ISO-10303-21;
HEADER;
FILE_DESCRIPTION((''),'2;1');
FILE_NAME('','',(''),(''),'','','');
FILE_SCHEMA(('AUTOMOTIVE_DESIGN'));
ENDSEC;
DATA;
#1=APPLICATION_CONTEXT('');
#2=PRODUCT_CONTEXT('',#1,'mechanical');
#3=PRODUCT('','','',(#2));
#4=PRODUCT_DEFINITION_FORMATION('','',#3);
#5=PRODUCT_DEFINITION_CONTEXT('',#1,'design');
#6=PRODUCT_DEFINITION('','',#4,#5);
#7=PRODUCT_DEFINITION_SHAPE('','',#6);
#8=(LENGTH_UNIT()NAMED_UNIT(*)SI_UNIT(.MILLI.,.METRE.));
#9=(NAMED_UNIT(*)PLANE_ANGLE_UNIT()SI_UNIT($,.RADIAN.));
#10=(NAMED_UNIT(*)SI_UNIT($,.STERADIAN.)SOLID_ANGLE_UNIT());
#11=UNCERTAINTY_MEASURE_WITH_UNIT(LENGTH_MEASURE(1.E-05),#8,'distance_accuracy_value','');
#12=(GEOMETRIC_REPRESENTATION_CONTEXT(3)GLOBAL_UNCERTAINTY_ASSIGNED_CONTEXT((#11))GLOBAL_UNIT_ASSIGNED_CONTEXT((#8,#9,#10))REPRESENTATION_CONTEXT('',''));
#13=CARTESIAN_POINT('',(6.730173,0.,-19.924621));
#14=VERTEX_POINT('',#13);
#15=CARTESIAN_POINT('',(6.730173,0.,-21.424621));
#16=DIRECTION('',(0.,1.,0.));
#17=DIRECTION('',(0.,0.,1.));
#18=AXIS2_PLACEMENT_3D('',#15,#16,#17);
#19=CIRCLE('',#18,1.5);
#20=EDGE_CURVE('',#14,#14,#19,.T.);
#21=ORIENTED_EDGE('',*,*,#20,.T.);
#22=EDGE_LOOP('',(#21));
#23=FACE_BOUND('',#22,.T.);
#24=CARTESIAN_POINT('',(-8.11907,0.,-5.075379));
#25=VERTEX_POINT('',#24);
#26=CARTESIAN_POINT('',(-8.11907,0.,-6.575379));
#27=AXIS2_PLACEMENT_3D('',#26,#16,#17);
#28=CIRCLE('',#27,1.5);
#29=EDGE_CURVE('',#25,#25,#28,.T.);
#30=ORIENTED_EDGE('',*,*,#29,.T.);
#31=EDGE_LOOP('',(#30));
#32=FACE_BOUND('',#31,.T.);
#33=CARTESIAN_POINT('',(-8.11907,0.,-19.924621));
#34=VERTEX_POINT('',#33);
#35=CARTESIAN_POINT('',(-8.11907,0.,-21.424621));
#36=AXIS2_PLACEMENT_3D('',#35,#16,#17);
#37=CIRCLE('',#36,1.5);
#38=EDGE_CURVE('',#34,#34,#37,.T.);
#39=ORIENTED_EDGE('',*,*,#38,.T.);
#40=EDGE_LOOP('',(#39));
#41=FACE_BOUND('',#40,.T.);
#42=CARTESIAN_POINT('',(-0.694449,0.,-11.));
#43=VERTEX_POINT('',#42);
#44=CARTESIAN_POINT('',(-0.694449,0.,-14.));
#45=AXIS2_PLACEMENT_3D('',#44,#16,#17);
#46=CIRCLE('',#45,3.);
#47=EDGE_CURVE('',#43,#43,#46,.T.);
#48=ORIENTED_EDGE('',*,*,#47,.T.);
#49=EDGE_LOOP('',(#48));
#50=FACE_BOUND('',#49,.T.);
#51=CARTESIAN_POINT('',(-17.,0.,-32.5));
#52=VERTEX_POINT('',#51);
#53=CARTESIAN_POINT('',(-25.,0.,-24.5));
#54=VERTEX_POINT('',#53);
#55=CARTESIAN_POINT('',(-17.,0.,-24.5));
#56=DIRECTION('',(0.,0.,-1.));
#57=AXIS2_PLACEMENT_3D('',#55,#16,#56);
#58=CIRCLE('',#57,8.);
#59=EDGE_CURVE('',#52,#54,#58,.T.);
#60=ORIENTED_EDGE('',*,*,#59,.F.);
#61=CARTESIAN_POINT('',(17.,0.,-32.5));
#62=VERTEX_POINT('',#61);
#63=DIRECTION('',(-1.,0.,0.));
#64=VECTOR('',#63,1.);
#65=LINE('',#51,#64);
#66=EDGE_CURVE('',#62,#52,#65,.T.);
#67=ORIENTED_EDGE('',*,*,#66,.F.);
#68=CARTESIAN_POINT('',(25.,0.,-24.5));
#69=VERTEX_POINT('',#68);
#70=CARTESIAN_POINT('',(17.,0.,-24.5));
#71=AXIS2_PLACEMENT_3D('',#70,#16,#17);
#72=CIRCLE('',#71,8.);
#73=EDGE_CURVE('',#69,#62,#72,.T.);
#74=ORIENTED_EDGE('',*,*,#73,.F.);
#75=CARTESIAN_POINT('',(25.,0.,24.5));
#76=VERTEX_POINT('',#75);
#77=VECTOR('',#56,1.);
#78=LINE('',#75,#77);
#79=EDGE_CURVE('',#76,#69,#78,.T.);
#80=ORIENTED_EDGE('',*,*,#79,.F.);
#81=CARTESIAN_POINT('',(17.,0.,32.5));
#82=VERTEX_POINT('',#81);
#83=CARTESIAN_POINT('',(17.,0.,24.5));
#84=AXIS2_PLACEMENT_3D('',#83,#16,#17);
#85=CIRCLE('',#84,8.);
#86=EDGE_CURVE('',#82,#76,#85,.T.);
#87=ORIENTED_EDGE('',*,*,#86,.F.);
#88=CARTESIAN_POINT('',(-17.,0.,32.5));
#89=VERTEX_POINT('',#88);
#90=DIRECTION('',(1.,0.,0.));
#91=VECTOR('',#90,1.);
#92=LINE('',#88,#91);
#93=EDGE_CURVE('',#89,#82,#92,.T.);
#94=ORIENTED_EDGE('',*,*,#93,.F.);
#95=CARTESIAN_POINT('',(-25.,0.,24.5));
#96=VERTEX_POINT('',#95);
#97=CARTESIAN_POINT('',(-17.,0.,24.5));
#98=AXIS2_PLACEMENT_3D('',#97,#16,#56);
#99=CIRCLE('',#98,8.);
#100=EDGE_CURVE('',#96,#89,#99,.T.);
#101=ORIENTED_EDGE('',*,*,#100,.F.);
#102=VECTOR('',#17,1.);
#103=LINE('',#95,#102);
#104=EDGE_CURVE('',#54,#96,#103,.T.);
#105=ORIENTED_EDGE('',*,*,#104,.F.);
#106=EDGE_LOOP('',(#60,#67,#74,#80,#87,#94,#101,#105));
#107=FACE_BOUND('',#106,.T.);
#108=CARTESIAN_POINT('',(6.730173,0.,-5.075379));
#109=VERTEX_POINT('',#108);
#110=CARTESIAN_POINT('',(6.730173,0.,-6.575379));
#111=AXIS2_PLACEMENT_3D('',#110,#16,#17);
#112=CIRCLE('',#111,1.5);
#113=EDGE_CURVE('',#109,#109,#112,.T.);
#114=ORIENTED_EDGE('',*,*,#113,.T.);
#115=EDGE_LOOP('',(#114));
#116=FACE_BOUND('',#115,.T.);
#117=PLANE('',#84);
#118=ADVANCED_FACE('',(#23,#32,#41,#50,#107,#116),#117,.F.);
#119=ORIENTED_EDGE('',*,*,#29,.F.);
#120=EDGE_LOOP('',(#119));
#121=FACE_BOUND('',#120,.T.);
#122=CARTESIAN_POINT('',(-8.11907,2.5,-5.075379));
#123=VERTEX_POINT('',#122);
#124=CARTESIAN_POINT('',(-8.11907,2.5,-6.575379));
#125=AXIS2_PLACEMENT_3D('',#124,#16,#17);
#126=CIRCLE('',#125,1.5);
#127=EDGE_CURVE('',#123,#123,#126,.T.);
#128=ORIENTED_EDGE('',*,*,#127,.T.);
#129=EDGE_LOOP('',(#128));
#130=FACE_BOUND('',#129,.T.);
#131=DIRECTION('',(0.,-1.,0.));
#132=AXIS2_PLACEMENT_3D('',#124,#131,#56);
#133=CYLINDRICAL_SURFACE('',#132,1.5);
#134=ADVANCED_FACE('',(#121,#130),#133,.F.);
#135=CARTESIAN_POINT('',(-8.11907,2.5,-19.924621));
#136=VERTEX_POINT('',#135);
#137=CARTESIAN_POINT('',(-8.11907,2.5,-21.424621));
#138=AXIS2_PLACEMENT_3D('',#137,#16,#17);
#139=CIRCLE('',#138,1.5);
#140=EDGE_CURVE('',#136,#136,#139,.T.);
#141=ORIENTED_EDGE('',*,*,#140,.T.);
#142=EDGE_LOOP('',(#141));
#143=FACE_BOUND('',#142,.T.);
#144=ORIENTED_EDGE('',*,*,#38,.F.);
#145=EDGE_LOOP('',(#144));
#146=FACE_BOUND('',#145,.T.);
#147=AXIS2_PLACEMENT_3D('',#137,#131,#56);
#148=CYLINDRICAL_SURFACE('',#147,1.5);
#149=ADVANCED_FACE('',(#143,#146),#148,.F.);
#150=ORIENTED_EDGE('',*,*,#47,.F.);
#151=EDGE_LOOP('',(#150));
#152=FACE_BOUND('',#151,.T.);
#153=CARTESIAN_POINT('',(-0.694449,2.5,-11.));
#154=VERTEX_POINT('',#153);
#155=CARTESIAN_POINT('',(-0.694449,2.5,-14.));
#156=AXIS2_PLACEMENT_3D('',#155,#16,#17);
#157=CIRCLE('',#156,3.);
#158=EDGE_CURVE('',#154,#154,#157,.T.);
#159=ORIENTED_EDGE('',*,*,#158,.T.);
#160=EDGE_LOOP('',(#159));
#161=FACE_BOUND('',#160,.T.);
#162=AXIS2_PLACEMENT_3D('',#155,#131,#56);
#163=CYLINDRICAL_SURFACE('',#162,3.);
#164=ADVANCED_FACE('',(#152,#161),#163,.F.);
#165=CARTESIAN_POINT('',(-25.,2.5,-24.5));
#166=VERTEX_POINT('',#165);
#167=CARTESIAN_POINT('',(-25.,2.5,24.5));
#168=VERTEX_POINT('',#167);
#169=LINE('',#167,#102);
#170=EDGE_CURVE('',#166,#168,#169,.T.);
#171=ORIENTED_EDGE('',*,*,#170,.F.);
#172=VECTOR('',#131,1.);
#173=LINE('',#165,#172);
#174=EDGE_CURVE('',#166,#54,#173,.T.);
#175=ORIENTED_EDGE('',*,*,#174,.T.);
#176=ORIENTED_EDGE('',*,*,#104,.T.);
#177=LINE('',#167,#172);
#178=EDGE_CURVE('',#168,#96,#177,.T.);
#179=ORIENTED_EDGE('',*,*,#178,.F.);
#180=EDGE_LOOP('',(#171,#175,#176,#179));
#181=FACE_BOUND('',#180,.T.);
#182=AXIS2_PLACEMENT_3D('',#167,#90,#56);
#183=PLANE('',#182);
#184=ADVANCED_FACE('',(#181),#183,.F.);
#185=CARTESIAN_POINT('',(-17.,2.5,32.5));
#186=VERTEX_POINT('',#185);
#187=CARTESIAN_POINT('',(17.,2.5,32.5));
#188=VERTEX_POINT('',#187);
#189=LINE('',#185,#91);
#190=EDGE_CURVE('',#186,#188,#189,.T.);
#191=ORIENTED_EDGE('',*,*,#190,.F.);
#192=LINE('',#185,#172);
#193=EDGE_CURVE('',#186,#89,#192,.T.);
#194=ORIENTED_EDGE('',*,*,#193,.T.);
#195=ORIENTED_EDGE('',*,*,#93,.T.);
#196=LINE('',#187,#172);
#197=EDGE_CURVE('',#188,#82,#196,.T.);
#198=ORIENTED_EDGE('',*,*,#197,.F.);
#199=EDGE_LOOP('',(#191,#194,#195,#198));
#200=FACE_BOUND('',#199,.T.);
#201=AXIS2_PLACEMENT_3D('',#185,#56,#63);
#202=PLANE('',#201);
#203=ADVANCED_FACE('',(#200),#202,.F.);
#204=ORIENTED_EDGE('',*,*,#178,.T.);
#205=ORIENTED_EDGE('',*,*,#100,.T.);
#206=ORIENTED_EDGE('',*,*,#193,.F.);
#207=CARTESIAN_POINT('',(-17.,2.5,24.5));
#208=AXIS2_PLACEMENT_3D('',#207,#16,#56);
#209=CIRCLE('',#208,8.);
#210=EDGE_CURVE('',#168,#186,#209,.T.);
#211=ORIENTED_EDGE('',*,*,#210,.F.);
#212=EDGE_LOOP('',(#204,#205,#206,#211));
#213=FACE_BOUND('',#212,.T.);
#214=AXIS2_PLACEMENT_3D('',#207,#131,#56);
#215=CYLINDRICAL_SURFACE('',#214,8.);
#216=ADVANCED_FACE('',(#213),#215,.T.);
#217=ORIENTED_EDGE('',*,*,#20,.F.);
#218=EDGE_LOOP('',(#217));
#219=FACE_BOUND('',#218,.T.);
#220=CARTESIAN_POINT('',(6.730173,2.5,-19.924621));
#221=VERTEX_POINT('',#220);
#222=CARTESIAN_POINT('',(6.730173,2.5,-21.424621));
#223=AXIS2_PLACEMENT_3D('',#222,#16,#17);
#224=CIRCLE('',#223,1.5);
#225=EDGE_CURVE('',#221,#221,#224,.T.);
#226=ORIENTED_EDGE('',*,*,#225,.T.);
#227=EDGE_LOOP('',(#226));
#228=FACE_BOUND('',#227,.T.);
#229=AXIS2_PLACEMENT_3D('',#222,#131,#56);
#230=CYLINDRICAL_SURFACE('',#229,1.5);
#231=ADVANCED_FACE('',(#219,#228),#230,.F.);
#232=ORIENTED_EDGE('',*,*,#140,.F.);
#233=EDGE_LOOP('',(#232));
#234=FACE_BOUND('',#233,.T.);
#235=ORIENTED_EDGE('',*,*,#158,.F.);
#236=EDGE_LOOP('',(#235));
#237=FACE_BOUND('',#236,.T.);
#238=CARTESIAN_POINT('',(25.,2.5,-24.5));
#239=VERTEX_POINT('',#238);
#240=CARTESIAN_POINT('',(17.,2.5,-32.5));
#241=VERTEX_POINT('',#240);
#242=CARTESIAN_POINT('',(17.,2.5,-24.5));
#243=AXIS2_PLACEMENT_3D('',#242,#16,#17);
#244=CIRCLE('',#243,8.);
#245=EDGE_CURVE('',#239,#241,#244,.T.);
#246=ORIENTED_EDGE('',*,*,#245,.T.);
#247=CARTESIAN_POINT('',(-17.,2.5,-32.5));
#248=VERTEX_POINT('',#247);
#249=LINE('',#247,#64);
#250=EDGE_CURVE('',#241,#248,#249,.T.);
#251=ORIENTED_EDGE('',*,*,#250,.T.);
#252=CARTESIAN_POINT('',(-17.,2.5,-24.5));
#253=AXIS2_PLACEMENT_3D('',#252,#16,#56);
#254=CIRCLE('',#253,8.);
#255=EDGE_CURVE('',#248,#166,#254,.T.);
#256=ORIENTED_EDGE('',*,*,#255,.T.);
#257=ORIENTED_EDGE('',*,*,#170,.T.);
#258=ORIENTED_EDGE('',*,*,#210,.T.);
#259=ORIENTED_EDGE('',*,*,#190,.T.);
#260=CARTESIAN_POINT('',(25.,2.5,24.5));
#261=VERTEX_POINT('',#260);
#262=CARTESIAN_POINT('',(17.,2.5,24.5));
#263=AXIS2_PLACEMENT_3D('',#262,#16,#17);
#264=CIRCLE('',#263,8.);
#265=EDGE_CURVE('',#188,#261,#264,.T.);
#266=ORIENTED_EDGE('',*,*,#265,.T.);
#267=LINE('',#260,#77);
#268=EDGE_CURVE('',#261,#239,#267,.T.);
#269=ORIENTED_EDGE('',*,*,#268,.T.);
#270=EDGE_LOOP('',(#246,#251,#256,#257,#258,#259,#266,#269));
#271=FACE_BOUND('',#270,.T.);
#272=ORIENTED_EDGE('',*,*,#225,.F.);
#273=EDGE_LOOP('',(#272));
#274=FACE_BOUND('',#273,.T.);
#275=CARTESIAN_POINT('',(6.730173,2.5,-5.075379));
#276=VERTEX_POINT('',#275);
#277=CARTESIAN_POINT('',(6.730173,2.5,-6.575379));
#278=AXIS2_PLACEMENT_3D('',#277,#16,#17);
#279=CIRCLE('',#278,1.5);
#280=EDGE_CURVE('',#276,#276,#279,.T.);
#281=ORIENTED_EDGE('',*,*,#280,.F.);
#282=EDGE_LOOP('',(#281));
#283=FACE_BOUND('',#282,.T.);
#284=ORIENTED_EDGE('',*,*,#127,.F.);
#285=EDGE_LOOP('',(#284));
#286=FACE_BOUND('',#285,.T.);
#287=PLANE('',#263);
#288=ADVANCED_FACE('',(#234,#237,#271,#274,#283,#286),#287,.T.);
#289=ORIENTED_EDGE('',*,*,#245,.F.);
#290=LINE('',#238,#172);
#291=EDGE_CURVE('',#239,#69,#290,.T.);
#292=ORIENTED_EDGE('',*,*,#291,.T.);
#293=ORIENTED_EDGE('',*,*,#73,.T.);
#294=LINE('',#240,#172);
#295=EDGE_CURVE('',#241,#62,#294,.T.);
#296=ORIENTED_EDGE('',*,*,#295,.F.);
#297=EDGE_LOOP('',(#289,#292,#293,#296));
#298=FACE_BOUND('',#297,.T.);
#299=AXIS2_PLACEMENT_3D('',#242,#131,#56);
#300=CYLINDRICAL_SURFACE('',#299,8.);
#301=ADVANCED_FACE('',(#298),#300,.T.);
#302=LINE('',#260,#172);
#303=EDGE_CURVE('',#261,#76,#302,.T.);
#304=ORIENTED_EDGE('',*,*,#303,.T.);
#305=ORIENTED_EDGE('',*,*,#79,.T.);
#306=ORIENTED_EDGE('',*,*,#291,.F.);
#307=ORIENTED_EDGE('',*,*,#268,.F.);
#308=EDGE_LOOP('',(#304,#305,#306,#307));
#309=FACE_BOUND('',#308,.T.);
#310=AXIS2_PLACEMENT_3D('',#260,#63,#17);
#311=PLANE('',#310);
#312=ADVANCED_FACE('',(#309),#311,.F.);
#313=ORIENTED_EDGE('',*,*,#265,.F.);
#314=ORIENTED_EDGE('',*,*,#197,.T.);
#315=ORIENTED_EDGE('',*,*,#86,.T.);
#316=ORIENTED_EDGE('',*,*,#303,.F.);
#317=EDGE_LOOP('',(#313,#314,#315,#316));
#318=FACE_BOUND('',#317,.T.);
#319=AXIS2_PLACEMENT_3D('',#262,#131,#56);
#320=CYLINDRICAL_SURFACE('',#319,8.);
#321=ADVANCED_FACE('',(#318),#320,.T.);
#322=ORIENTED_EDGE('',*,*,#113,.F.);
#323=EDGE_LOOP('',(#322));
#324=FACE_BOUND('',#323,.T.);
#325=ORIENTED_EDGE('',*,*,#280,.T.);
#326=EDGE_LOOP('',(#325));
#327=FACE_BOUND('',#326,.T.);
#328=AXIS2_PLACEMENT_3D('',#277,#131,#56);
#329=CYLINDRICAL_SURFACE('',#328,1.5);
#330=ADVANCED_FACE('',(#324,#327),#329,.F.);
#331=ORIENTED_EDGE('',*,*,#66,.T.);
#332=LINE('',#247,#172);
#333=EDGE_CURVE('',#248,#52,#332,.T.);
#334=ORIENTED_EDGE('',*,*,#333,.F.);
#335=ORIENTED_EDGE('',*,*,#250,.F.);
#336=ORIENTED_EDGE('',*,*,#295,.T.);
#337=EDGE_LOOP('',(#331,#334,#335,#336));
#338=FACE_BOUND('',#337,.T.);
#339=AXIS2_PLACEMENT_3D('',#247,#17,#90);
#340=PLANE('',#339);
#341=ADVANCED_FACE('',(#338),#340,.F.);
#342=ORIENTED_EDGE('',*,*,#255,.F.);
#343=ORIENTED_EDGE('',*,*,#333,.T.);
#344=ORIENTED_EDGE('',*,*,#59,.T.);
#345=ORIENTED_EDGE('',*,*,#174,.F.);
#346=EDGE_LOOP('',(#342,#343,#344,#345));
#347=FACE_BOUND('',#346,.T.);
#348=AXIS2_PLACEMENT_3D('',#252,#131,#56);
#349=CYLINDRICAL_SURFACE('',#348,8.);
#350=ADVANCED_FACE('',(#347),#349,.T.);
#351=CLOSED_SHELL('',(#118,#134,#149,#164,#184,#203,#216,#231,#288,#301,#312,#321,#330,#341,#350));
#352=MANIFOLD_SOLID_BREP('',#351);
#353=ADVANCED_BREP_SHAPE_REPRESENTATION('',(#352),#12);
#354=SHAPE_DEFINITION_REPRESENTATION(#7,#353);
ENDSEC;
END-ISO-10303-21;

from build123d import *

# Parameters (mm, degrees)
SKETCH_1_R      = 1.5
SKETCH_1_R_2    = 3
EXTRUDE_1_DEPTH = 2.5


with BuildPart() as part:
    # 草图1 → 凸台-拉伸1 (new body)
    with BuildSketch(Plane(origin=(0, 0, 0), x_dir=(1, 0, 0), z_dir=(0, 1, 0))):
        with BuildLine():
            Line((-17, -32.5), (17, -32.5))
            ThreePointArc((17, -32.5), (22.656854249, -30.156854249), (25, -24.5))
            Line((25, -24.5), (25, 24.5))
            ThreePointArc((25, 24.5), (22.656854249, 30.156854249), (17, 32.5))
            Line((17, 32.5), (-17, 32.5))
            ThreePointArc((-17, 32.5), (-22.656854249, 30.156854249), (-25, 24.5))
            Line((-25, 24.5), (-25, -24.5))
            ThreePointArc((-25, -24.5), (-22.656854249, -30.156854249), (-17, -32.5))
        make_face()
        with Locations(Location((6.73017257, 21.424621202, 0), (0, 0, 270))):
            Circle(SKETCH_1_R, mode=Mode.SUBTRACT)
        with Locations(Location((-8.119069835, 21.424621202, 0), (0, 0, 270))):
            Circle(SKETCH_1_R, mode=Mode.SUBTRACT)
        with Locations(Location((-8.119069835, 6.575378798, 0), (0, 0, 270))):
            Circle(SKETCH_1_R, mode=Mode.SUBTRACT)
        with Locations(Location((6.73017257, 6.575378798, 0), (0, 0, 270))):
            Circle(SKETCH_1_R, mode=Mode.SUBTRACT)
        with Locations(Location((-0.694448633, 14, 0), (0, 0, 270))):
            Circle(SKETCH_1_R_2, mode=Mode.SUBTRACT)
    extrude(amount=EXTRUDE_1_DEPTH)


solid = part.part
